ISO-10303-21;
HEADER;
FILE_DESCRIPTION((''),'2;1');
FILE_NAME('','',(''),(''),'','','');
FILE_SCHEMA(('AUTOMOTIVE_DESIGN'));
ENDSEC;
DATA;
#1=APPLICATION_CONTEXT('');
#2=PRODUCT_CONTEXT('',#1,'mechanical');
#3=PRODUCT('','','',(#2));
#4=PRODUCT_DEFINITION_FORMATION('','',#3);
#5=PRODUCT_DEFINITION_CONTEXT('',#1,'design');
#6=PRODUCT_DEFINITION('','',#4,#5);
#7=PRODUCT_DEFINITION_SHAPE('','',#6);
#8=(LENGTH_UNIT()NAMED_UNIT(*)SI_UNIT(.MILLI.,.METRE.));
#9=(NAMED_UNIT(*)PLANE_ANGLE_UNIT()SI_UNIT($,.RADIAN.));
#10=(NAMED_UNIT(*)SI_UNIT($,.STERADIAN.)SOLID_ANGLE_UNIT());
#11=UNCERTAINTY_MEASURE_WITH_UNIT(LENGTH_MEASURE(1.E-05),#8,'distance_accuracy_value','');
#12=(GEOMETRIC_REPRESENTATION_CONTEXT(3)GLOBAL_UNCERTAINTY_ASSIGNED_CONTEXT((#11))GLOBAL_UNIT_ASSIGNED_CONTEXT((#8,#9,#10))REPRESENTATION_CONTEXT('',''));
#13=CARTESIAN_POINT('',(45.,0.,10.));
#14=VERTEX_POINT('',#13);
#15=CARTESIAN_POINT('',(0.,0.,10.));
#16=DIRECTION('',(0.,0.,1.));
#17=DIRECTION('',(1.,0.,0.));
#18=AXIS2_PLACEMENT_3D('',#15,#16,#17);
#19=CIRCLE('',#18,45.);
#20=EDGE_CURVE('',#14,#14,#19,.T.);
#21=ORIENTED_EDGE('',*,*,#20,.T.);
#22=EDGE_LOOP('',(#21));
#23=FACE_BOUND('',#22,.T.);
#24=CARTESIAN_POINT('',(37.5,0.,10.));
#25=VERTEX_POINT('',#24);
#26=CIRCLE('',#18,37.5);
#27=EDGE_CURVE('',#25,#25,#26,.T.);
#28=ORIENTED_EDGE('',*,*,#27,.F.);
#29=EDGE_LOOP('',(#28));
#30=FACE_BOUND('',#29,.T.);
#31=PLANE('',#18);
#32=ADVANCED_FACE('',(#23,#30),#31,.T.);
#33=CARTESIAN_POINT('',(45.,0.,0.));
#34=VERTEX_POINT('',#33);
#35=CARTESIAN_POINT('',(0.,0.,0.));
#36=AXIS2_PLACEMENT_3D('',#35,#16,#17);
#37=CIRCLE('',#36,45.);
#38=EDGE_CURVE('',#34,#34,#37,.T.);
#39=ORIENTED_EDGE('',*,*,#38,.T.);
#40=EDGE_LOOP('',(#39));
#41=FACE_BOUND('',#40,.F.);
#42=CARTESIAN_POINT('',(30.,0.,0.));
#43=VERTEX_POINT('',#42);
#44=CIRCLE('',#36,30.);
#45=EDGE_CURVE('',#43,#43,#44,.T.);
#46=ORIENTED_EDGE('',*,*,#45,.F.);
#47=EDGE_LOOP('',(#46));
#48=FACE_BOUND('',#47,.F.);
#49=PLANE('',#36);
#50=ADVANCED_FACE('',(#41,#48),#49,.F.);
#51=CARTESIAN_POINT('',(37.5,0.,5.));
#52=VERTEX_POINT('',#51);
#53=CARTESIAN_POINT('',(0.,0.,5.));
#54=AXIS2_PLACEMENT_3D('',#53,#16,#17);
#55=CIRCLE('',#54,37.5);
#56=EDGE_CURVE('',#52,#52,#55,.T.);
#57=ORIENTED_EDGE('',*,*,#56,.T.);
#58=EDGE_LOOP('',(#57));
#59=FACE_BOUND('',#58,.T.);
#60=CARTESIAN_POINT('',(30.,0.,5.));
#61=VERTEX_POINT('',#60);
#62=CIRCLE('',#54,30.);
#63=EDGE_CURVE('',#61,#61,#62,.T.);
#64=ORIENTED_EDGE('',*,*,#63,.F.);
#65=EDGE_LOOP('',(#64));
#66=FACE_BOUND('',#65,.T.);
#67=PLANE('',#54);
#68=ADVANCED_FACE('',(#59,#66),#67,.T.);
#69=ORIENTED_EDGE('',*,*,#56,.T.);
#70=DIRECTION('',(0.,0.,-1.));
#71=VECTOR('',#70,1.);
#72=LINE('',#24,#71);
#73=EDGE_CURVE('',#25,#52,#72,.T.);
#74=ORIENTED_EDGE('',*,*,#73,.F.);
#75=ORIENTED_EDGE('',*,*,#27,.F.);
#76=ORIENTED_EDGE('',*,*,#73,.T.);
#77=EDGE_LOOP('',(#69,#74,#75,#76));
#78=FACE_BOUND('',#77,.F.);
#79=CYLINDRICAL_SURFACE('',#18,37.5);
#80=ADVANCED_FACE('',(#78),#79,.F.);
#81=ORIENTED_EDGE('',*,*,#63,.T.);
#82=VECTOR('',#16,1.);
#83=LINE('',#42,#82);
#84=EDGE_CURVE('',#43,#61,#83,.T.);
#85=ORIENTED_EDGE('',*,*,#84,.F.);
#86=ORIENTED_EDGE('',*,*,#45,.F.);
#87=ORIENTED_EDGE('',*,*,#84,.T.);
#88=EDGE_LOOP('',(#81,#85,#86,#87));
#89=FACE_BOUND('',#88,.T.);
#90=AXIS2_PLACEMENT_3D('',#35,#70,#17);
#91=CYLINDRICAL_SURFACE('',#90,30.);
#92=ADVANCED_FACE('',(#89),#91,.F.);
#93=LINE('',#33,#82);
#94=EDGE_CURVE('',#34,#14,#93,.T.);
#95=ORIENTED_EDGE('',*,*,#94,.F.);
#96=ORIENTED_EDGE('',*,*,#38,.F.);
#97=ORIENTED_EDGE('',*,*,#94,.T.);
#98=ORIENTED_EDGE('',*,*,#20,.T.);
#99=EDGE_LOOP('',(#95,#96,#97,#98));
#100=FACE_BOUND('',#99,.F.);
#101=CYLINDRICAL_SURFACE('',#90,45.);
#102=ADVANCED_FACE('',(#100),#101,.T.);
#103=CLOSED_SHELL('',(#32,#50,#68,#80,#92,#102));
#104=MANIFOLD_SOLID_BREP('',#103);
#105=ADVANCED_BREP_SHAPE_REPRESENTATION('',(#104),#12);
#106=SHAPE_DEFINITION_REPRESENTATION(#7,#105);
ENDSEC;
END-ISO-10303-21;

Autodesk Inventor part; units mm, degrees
ref_plane "YZ Plane" through (0, 0, 0) normal (1, 0, 0) x (0, 1, 0)
ref_plane "XZ Plane" through (0, 0, 0) normal (0, 1, 0) x (-1, 0, 0)
ref_plane "XY Plane" through (0, 0, 0) normal (0, 0, 1) x (1, 0, 0)
sketch "Эскиз1" plane through (0, 0, 0) normal (0, 0, 1) x (1, 0, 0)
  circle A0 centre (0, 0) radius 30
  circle A1 centre (0, 0) radius 45
  dimension "d0" = 60
  dimension "d1" = 90
extrude "Выдавливание1" add sketch "Эскиз1" along normal blind 10
sketch "Эскиз2" plane through (0, 0, 10) normal (0, 0, 1) x (1, 0, 0)
  circle A0 centre (0, 0) radius 30 projected
  circle A1 centre (0, 0) radius 37.5
  dimension "d4" = 75
extrude "Выдавливание2" cut sketch "Эскиз2" against normal blind 5
properties part number "Маслоотражательное кольцо_CPY" material "Сталь, литейная"
